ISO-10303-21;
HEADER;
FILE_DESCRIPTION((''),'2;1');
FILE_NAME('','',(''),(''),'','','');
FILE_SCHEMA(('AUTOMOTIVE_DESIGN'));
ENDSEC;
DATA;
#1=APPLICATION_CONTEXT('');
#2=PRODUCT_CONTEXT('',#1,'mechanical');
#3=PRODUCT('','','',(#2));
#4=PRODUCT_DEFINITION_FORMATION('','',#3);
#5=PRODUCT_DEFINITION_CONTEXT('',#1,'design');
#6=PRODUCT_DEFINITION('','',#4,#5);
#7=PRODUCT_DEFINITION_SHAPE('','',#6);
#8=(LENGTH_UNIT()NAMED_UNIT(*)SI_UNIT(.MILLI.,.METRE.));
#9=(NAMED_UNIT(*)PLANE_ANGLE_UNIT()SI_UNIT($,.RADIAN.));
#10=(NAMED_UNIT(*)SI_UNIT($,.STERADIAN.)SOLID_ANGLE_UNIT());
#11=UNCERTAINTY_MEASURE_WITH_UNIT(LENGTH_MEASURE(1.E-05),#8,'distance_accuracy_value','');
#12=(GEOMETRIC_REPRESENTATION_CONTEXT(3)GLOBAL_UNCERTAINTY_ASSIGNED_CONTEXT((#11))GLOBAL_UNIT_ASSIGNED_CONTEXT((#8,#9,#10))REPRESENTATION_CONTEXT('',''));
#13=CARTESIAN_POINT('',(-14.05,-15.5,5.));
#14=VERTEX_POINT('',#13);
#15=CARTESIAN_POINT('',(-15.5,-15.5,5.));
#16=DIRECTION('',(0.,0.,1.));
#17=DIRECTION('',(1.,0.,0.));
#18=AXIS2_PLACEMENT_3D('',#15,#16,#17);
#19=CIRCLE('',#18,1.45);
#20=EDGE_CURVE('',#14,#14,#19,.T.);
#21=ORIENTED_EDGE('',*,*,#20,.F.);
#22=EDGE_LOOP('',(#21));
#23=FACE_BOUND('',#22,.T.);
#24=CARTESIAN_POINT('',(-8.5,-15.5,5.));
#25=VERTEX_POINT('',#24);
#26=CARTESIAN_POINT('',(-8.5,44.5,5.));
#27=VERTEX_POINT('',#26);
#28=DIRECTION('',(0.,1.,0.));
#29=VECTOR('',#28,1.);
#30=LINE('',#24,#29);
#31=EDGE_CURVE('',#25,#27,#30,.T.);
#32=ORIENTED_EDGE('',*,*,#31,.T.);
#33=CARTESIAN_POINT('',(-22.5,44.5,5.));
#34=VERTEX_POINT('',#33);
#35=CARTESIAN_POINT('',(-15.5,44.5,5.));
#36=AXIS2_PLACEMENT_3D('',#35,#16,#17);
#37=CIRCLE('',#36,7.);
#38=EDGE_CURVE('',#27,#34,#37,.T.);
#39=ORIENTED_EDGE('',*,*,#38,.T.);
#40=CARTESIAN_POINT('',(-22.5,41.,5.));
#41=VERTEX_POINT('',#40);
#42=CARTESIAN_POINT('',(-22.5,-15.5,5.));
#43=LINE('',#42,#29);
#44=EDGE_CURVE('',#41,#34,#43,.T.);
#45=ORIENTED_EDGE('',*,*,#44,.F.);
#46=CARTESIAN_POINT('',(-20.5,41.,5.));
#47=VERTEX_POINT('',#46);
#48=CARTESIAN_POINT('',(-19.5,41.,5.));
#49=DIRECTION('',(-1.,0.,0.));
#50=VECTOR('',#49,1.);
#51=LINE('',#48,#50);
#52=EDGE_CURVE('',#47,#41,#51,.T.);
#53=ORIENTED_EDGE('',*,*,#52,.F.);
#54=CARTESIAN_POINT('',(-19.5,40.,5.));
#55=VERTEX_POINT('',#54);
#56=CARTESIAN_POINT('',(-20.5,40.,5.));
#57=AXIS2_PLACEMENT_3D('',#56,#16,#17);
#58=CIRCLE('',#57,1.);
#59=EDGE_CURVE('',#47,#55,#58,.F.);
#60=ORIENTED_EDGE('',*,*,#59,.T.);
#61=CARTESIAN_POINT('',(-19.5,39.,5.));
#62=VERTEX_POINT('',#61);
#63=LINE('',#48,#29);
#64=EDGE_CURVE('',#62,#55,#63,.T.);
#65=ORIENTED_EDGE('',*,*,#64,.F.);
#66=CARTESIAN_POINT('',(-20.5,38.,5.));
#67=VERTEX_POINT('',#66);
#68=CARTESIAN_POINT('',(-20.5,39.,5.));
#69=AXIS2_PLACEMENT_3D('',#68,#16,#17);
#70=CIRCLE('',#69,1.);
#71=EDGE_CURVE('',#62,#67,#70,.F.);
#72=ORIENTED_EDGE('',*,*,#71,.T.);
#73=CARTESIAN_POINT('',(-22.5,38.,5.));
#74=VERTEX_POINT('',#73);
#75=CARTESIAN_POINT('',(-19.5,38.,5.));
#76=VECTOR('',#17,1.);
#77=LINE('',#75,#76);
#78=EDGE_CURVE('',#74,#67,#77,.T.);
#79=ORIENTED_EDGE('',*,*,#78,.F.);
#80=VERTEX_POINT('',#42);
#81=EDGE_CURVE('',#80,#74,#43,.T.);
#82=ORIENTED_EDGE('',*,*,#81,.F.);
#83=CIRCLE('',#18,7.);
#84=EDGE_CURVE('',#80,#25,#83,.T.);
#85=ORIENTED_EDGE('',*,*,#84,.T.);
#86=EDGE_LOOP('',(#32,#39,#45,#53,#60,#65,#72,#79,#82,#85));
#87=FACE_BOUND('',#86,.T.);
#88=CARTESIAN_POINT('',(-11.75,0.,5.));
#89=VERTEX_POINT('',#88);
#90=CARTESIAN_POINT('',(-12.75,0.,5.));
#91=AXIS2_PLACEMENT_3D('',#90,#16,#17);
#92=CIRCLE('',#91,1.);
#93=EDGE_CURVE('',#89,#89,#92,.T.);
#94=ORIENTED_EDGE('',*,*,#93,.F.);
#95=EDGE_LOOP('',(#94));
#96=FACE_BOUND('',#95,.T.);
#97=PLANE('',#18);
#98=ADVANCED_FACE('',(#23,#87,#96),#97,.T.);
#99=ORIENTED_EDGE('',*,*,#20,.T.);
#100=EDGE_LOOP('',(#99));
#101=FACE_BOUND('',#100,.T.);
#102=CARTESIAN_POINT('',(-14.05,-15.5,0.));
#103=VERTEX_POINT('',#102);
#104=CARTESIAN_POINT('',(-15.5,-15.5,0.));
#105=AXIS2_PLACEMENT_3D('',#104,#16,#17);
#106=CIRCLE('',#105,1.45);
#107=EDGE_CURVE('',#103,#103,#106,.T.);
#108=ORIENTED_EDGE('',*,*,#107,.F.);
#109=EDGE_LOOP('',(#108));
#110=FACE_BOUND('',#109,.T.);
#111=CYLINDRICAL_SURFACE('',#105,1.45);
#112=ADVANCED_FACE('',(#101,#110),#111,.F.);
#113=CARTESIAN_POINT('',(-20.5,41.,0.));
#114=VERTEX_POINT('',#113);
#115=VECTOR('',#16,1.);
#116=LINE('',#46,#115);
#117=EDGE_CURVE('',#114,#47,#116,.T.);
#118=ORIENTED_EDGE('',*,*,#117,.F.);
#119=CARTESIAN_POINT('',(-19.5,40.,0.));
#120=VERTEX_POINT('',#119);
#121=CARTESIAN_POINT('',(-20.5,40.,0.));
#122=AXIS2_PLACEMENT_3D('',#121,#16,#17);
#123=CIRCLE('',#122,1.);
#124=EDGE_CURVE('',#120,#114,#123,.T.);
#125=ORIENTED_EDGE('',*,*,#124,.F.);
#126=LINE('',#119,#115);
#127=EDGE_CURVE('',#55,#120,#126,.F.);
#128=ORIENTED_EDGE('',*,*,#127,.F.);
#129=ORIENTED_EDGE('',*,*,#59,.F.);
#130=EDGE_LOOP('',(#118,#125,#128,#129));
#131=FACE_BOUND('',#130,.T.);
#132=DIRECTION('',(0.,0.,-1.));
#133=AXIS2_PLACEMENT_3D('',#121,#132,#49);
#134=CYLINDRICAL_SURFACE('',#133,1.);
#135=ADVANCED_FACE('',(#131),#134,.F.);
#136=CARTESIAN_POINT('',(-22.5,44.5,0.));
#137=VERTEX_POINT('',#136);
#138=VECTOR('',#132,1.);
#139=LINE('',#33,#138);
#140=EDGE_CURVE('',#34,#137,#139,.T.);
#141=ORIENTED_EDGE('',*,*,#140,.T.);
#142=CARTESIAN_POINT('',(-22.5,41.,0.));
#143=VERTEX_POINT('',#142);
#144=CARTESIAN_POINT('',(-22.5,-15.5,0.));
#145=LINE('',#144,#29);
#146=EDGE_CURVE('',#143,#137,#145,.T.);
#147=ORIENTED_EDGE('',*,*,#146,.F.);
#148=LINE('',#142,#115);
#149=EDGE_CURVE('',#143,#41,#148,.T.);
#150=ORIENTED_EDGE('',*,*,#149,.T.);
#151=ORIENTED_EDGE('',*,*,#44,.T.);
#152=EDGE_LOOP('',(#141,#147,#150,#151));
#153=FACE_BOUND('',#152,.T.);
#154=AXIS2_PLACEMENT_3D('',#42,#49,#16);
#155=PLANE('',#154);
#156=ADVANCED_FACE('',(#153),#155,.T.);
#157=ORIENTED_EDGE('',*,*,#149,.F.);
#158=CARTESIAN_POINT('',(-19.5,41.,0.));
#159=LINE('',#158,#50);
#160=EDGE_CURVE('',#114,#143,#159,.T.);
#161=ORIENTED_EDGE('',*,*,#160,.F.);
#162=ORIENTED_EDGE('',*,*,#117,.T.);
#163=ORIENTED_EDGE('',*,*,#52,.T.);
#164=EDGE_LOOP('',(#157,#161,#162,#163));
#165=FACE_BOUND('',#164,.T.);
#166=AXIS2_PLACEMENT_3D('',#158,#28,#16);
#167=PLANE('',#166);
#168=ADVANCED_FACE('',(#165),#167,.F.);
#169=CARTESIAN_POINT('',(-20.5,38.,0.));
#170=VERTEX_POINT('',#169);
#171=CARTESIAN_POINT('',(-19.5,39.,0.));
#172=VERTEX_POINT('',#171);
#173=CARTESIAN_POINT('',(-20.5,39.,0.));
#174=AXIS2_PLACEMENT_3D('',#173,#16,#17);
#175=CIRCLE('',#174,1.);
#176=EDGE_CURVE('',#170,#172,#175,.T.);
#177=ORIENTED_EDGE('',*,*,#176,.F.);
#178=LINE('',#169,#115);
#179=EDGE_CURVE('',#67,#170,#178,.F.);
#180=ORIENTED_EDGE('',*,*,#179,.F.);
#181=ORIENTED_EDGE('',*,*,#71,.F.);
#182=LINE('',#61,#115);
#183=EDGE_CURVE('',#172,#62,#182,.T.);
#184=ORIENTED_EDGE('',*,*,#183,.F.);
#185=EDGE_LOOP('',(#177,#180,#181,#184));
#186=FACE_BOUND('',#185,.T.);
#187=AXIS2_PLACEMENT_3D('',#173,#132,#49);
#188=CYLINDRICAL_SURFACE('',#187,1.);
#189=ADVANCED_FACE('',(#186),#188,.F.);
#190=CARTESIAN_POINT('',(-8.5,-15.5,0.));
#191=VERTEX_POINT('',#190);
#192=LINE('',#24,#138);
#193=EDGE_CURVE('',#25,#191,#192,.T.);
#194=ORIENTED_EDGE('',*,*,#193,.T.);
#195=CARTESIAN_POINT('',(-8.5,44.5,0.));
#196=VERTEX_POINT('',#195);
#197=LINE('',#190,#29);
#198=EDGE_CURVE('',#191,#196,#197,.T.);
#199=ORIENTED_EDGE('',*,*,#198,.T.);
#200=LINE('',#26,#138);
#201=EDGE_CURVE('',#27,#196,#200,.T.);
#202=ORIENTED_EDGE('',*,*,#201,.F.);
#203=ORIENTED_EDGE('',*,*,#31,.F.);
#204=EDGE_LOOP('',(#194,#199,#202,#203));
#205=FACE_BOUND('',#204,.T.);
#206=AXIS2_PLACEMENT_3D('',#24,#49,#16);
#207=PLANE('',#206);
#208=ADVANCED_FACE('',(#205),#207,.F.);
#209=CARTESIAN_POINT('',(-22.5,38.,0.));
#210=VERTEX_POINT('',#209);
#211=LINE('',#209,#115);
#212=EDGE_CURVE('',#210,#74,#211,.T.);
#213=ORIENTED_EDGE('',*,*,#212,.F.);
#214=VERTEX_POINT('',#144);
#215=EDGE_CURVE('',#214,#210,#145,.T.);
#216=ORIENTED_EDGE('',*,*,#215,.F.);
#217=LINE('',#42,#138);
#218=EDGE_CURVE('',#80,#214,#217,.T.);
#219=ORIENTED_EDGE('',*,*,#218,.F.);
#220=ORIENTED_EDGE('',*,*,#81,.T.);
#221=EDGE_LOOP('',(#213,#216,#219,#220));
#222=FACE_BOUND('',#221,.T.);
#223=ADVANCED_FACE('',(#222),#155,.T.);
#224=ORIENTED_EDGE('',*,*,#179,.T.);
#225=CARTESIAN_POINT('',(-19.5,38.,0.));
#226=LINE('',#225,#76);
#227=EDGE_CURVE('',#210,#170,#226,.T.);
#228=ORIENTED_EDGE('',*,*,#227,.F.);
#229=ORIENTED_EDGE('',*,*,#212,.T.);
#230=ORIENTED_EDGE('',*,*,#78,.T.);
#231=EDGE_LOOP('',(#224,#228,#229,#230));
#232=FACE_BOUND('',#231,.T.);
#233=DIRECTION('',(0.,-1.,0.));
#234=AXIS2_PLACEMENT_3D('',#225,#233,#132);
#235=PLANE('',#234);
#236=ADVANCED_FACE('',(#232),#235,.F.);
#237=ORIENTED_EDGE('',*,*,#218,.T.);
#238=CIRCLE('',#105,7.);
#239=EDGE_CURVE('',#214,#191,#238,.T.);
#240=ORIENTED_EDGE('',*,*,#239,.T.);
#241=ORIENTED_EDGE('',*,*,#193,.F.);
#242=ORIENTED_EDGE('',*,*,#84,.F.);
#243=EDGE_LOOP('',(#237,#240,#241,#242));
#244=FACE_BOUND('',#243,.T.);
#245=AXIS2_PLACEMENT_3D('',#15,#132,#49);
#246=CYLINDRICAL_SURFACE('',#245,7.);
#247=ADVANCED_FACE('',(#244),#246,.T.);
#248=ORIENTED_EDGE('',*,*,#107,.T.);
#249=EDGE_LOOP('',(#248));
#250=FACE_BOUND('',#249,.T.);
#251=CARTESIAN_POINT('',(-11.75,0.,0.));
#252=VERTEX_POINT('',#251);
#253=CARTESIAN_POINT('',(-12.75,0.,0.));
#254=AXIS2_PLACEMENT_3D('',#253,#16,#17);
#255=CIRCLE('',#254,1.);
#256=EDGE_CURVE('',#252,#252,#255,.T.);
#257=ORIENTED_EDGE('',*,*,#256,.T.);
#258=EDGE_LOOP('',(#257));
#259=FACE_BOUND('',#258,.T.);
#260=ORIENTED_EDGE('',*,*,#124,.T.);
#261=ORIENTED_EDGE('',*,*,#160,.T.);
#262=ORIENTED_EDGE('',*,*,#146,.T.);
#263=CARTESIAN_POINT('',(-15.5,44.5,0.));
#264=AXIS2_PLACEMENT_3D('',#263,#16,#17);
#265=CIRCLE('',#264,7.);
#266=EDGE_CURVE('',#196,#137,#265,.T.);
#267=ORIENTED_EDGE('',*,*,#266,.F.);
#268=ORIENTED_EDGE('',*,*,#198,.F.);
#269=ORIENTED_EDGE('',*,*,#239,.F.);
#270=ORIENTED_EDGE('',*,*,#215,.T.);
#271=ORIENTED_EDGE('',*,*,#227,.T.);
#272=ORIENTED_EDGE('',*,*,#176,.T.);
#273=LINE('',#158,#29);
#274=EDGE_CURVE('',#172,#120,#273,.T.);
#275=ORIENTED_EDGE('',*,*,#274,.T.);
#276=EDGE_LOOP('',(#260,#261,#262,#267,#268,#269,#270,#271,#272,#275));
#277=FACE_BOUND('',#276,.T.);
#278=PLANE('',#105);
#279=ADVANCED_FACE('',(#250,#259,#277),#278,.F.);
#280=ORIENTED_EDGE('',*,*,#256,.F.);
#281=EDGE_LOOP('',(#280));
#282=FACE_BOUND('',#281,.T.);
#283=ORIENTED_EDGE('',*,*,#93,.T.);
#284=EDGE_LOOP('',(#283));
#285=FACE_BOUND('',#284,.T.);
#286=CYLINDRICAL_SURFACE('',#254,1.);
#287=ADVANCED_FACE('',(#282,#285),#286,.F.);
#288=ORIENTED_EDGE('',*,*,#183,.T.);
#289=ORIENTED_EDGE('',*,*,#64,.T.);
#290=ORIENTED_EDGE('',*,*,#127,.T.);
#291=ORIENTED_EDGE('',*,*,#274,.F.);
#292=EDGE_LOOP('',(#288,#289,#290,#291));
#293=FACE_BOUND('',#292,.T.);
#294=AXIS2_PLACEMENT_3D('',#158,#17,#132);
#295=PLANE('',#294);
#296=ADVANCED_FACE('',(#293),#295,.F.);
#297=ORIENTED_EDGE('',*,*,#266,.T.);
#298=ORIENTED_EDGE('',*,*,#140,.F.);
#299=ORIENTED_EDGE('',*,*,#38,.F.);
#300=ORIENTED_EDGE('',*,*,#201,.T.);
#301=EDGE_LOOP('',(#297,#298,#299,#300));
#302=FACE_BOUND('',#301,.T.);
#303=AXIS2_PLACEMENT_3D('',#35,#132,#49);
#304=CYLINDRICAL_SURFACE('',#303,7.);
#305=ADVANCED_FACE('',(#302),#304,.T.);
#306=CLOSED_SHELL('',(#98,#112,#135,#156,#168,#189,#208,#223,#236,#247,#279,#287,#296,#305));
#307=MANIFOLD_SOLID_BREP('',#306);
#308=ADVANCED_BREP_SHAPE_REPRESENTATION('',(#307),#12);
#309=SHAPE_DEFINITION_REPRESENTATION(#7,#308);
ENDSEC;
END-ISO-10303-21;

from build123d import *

# Parameters (mm, degrees)
BOSS_EXTRUDE1_DEPTH = 5
SKETCH2_R           = 1
CUT_EXTRUDE1_DEPTH  = 5
SKETCH3_W           = 3
SKETCH3_H           = 3
CUT_EXTRUDE2_DEPTH  = 5
FILLET1_R           = 1
SKETCH4_R           = 1.45
CUT_EXTRUDE3_DEPTH  = 5


with BuildPart() as part:
    # Sketch1 → Boss-Extrude1 (new body)
    with BuildSketch(Plane.XY):
        with BuildLine():
            Line((-22.5, -15.5), (-22.5, 44.5))
            ThreePointArc((-22.5, 44.5), (-15.5, 51.5), (-8.5, 44.5))
            Line((-8.5, 44.5), (-8.5, -15.5))
            ThreePointArc((-8.5, -15.5), (-15.5, -22.5), (-22.5, -15.5))
        make_face()
    extrude(amount=BOSS_EXTRUDE1_DEPTH)

    # Sketch2 → Cut-Extrude1 (cut)
    with BuildSketch(Plane.XY.offset(5)):
        with Locations((-12.75, 0)):
            Circle(SKETCH2_R)
    extrude(amount=-CUT_EXTRUDE1_DEPTH, mode=Mode.SUBTRACT)

    # Sketch3 → Cut-Extrude2 (cut)
    with BuildSketch(Plane.XY.offset(5)):
        with Locations((-21, 39.5)):
            Rectangle(SKETCH3_W, SKETCH3_H)
    extrude(amount=-CUT_EXTRUDE2_DEPTH, mode=Mode.SUBTRACT)

    # Fillet1
    fillet1_edges = [part.edges().sort_by_distance(p)[0] for p in [
        (-19.5, 41, 2.5),
        (-19.5, 38, 2.5),
    ]]
    fillet(fillet1_edges, radius=FILLET1_R)

    # Sketch4 → Cut-Extrude3 (cut)
    with BuildSketch(Plane.XY.offset(5)):
        with Locations((-15.5, -15.5)):
            Circle(SKETCH4_R)
    extrude(amount=-CUT_EXTRUDE3_DEPTH, mode=Mode.SUBTRACT)


solid = part.part
